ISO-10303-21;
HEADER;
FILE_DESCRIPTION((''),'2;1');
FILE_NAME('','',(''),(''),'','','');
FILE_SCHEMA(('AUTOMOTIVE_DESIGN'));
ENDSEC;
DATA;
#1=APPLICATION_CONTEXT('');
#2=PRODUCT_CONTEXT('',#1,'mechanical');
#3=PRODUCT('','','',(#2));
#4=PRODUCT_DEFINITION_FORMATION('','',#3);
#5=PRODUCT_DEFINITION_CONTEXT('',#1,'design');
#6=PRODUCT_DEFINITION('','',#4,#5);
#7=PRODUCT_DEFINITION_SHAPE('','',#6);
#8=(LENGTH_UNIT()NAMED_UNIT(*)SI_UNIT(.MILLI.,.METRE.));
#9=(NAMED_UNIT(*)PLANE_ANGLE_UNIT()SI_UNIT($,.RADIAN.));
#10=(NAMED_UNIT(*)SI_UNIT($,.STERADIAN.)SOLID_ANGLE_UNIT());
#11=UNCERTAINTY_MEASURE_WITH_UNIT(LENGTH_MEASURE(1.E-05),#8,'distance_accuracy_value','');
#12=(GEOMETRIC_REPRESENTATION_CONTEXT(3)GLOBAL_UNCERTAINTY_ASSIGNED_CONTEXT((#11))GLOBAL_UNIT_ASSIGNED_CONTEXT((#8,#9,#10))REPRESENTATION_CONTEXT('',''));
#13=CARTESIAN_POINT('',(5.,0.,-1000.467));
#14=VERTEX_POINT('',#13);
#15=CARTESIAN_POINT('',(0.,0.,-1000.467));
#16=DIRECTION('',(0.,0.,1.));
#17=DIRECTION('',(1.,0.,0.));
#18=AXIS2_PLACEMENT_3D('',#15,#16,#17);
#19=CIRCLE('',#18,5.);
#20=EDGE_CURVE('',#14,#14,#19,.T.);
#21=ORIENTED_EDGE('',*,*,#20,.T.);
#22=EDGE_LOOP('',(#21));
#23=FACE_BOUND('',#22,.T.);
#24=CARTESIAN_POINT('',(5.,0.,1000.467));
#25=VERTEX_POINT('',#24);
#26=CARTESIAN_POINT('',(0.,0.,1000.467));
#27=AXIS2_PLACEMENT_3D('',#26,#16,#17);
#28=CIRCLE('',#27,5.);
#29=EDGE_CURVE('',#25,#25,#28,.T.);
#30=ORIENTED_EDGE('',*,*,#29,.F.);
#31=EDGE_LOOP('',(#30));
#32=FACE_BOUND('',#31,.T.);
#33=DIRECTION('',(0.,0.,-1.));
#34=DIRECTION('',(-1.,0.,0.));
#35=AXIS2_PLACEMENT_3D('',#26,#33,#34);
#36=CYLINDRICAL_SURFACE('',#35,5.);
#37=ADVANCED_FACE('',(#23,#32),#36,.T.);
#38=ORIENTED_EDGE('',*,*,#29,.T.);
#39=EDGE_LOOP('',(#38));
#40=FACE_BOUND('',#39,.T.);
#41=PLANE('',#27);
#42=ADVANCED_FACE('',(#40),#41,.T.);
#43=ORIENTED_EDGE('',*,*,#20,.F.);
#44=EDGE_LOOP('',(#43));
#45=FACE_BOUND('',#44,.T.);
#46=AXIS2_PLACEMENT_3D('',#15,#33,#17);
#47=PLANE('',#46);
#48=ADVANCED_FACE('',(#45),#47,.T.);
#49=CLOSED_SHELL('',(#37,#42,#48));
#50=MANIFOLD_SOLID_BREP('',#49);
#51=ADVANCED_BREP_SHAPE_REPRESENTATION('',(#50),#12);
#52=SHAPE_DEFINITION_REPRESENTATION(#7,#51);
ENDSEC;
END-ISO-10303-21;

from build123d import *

# Parameters (mm, degrees)
SKETCH1_R           = 5
BOSS_EXTRUDE1_DEPTH = 1000.467


with BuildPart() as part:
    # Sketch1 → Boss-Extrude1 (new body)
    with BuildSketch(Plane.XY):
        Circle(SKETCH1_R)
    extrude(amount=BOSS_EXTRUDE1_DEPTH)

    # Mirror1: part across plane


with BuildPart() as part_1:
    add(part.part)
    add(part.part.mirror(Plane.XY))


solid = part_1.part
